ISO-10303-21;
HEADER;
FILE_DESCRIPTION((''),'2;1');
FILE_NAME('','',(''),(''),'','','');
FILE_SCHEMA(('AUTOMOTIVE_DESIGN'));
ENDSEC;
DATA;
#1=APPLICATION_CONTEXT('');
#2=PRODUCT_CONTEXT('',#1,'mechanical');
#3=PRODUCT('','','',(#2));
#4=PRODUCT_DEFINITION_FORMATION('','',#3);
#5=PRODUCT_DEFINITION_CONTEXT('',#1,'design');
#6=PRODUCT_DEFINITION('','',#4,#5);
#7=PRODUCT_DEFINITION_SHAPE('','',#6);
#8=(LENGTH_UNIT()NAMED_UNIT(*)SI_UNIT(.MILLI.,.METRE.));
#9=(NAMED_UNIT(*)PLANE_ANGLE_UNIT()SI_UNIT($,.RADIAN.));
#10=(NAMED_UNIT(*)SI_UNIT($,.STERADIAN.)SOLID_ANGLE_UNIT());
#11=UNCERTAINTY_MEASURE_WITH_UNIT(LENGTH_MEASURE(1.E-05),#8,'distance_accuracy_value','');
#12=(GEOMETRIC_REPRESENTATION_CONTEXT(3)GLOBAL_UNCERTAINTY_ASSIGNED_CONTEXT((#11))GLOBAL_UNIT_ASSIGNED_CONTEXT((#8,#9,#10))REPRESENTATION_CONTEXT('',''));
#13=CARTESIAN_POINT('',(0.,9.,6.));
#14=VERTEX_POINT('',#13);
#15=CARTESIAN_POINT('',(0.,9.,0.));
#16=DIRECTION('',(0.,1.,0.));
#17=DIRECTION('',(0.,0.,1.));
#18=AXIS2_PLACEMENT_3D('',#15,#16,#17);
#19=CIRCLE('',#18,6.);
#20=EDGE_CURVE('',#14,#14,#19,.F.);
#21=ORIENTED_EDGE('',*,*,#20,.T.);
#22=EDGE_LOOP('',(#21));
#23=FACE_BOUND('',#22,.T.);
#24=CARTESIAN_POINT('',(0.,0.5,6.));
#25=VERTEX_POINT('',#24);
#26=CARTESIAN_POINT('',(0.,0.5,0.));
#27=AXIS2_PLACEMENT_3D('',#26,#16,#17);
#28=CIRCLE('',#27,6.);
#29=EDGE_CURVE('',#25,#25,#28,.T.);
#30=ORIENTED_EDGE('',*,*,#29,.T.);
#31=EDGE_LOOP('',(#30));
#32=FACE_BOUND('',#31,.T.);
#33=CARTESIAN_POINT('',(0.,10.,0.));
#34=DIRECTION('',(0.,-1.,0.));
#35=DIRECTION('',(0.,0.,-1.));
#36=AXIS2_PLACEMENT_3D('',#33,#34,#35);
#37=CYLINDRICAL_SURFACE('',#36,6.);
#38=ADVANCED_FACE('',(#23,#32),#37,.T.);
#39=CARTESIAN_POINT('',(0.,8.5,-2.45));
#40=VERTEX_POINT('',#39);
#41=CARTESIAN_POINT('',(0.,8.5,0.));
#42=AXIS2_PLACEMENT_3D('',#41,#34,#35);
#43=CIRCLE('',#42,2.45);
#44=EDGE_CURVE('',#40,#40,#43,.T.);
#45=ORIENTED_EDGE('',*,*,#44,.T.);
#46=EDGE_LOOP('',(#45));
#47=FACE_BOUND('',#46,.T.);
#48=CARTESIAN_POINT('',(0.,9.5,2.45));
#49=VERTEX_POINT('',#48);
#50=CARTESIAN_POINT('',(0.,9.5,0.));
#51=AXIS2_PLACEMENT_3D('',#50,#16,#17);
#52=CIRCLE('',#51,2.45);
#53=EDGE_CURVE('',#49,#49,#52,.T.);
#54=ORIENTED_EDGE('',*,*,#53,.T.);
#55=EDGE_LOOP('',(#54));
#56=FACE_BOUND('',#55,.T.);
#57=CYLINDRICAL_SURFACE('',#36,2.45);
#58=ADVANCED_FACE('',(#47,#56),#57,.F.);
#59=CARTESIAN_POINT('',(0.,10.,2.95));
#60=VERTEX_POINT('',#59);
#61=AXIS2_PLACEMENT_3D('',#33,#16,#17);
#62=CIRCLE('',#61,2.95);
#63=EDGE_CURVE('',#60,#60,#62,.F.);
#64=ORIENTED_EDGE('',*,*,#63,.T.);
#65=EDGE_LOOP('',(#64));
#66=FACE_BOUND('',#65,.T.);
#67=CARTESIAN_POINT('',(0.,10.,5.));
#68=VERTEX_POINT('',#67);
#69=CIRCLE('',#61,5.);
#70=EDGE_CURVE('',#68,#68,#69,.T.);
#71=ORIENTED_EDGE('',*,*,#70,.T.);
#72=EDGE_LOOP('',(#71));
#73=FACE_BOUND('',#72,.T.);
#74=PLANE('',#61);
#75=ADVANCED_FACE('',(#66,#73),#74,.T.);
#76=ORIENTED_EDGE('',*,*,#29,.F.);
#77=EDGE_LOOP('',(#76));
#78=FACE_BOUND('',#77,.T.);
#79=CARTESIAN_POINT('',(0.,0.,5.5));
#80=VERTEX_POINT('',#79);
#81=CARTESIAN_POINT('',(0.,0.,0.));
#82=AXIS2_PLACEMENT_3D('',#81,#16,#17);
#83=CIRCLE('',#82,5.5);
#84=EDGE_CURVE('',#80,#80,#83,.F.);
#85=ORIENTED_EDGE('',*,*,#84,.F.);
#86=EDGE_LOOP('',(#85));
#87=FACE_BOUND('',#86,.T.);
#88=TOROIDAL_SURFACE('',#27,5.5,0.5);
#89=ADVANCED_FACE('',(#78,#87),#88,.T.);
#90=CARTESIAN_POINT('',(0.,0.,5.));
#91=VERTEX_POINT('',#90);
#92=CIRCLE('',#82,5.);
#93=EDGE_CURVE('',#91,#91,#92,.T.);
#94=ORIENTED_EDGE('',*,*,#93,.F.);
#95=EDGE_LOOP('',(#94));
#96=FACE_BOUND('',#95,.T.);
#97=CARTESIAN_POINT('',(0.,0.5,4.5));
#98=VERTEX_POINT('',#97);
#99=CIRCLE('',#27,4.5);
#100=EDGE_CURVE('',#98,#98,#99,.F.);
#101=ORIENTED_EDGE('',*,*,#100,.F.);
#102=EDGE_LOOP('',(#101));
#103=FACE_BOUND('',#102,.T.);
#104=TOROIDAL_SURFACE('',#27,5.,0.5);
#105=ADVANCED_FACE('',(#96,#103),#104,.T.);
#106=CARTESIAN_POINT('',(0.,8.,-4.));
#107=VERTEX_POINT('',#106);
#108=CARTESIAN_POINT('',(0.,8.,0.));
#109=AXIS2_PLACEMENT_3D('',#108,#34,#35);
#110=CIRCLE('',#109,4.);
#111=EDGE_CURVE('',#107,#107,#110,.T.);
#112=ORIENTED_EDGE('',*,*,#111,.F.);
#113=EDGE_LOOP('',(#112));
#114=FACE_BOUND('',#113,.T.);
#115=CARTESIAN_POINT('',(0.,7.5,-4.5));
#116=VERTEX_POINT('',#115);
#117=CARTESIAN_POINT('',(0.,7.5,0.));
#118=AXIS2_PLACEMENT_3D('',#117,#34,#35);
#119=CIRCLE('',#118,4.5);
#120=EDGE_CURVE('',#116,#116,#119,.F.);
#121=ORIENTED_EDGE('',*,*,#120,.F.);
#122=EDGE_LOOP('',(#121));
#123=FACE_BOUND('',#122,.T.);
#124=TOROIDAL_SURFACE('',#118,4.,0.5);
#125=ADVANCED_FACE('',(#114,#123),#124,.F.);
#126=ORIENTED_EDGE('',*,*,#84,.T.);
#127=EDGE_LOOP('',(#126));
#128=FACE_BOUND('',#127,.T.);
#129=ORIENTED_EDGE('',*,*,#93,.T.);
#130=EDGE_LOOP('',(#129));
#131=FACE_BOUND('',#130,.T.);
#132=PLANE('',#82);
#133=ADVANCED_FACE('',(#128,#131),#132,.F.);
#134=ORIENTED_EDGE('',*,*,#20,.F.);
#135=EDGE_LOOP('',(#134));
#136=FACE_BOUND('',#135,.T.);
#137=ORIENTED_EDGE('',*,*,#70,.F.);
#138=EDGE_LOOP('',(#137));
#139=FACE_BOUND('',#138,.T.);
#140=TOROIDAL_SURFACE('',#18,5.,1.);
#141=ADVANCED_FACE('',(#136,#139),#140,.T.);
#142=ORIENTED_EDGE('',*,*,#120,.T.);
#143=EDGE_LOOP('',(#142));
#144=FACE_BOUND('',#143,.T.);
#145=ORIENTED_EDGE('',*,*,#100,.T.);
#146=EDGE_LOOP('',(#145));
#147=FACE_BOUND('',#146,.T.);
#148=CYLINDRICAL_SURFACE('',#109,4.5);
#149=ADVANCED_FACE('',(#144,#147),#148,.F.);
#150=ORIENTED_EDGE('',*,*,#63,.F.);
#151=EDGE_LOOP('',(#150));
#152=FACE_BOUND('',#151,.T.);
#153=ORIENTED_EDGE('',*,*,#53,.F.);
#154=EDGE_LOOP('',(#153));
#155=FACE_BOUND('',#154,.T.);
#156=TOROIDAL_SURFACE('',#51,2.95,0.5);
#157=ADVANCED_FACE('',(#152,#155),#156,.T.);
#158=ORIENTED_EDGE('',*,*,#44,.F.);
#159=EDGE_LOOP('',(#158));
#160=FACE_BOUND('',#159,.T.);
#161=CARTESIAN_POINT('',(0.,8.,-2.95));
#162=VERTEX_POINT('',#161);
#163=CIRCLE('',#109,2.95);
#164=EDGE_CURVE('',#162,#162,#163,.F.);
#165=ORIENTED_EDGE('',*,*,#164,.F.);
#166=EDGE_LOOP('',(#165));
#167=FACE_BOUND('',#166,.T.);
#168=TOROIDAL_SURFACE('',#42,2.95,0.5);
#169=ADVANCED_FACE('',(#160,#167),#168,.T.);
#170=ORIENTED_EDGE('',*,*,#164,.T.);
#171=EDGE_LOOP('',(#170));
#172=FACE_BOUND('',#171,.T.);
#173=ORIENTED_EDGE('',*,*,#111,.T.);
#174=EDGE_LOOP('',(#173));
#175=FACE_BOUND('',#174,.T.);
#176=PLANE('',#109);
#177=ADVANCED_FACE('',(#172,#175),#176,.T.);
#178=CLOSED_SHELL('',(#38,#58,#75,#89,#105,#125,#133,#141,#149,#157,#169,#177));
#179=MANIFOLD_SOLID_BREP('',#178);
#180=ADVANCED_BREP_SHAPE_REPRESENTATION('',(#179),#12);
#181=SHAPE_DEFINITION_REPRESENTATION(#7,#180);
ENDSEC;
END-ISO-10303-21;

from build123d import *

# Parameters (mm, degrees)
SKETCH_5_R          = 6
SKETCH_5_R_2        = 2.45
EXTRUDE_1_DEPTH     = 10
SKETCH_7_R          = 4.5
CUT_EXTRUDE_1_DEPTH = 8
FILLET_1_R          = 1
FILLET_2_R          = 0.5


with BuildPart() as part:
    # 草图5 → 凸台-拉伸1 (new body)
    with BuildSketch(Plane(origin=(0, 0, 0), x_dir=(1, 0, 0), z_dir=(0, 1, 0))):
        Circle(SKETCH_5_R)
        Circle(SKETCH_5_R_2, mode=Mode.SUBTRACT)
    extrude(amount=EXTRUDE_1_DEPTH)

    # 草图7 → 切除-拉伸1 (cut)
    with BuildSketch(Plane.XZ):
        Circle(SKETCH_7_R)
    extrude(amount=-CUT_EXTRUDE_1_DEPTH, mode=Mode.SUBTRACT)

    # 圆角1
    fillet_1_edges = [part.edges().sort_by_distance(p)[0] for p in [
        (-6, 10, 0),
    ]]
    fillet(fillet_1_edges, radius=FILLET_1_R)

    # 圆角2
    fillet_2_edges = [part.edges().sort_by_distance(p)[0] for p in [
        (-4.5, 8, 0),
        (-2.45, 8, 0),
        (-4.5, 0, 0),
        (-6, 0, 0),
        (-2.45, 10, 0),
    ]]
    fillet(fillet_2_edges, radius=FILLET_2_R)


solid = part.part
